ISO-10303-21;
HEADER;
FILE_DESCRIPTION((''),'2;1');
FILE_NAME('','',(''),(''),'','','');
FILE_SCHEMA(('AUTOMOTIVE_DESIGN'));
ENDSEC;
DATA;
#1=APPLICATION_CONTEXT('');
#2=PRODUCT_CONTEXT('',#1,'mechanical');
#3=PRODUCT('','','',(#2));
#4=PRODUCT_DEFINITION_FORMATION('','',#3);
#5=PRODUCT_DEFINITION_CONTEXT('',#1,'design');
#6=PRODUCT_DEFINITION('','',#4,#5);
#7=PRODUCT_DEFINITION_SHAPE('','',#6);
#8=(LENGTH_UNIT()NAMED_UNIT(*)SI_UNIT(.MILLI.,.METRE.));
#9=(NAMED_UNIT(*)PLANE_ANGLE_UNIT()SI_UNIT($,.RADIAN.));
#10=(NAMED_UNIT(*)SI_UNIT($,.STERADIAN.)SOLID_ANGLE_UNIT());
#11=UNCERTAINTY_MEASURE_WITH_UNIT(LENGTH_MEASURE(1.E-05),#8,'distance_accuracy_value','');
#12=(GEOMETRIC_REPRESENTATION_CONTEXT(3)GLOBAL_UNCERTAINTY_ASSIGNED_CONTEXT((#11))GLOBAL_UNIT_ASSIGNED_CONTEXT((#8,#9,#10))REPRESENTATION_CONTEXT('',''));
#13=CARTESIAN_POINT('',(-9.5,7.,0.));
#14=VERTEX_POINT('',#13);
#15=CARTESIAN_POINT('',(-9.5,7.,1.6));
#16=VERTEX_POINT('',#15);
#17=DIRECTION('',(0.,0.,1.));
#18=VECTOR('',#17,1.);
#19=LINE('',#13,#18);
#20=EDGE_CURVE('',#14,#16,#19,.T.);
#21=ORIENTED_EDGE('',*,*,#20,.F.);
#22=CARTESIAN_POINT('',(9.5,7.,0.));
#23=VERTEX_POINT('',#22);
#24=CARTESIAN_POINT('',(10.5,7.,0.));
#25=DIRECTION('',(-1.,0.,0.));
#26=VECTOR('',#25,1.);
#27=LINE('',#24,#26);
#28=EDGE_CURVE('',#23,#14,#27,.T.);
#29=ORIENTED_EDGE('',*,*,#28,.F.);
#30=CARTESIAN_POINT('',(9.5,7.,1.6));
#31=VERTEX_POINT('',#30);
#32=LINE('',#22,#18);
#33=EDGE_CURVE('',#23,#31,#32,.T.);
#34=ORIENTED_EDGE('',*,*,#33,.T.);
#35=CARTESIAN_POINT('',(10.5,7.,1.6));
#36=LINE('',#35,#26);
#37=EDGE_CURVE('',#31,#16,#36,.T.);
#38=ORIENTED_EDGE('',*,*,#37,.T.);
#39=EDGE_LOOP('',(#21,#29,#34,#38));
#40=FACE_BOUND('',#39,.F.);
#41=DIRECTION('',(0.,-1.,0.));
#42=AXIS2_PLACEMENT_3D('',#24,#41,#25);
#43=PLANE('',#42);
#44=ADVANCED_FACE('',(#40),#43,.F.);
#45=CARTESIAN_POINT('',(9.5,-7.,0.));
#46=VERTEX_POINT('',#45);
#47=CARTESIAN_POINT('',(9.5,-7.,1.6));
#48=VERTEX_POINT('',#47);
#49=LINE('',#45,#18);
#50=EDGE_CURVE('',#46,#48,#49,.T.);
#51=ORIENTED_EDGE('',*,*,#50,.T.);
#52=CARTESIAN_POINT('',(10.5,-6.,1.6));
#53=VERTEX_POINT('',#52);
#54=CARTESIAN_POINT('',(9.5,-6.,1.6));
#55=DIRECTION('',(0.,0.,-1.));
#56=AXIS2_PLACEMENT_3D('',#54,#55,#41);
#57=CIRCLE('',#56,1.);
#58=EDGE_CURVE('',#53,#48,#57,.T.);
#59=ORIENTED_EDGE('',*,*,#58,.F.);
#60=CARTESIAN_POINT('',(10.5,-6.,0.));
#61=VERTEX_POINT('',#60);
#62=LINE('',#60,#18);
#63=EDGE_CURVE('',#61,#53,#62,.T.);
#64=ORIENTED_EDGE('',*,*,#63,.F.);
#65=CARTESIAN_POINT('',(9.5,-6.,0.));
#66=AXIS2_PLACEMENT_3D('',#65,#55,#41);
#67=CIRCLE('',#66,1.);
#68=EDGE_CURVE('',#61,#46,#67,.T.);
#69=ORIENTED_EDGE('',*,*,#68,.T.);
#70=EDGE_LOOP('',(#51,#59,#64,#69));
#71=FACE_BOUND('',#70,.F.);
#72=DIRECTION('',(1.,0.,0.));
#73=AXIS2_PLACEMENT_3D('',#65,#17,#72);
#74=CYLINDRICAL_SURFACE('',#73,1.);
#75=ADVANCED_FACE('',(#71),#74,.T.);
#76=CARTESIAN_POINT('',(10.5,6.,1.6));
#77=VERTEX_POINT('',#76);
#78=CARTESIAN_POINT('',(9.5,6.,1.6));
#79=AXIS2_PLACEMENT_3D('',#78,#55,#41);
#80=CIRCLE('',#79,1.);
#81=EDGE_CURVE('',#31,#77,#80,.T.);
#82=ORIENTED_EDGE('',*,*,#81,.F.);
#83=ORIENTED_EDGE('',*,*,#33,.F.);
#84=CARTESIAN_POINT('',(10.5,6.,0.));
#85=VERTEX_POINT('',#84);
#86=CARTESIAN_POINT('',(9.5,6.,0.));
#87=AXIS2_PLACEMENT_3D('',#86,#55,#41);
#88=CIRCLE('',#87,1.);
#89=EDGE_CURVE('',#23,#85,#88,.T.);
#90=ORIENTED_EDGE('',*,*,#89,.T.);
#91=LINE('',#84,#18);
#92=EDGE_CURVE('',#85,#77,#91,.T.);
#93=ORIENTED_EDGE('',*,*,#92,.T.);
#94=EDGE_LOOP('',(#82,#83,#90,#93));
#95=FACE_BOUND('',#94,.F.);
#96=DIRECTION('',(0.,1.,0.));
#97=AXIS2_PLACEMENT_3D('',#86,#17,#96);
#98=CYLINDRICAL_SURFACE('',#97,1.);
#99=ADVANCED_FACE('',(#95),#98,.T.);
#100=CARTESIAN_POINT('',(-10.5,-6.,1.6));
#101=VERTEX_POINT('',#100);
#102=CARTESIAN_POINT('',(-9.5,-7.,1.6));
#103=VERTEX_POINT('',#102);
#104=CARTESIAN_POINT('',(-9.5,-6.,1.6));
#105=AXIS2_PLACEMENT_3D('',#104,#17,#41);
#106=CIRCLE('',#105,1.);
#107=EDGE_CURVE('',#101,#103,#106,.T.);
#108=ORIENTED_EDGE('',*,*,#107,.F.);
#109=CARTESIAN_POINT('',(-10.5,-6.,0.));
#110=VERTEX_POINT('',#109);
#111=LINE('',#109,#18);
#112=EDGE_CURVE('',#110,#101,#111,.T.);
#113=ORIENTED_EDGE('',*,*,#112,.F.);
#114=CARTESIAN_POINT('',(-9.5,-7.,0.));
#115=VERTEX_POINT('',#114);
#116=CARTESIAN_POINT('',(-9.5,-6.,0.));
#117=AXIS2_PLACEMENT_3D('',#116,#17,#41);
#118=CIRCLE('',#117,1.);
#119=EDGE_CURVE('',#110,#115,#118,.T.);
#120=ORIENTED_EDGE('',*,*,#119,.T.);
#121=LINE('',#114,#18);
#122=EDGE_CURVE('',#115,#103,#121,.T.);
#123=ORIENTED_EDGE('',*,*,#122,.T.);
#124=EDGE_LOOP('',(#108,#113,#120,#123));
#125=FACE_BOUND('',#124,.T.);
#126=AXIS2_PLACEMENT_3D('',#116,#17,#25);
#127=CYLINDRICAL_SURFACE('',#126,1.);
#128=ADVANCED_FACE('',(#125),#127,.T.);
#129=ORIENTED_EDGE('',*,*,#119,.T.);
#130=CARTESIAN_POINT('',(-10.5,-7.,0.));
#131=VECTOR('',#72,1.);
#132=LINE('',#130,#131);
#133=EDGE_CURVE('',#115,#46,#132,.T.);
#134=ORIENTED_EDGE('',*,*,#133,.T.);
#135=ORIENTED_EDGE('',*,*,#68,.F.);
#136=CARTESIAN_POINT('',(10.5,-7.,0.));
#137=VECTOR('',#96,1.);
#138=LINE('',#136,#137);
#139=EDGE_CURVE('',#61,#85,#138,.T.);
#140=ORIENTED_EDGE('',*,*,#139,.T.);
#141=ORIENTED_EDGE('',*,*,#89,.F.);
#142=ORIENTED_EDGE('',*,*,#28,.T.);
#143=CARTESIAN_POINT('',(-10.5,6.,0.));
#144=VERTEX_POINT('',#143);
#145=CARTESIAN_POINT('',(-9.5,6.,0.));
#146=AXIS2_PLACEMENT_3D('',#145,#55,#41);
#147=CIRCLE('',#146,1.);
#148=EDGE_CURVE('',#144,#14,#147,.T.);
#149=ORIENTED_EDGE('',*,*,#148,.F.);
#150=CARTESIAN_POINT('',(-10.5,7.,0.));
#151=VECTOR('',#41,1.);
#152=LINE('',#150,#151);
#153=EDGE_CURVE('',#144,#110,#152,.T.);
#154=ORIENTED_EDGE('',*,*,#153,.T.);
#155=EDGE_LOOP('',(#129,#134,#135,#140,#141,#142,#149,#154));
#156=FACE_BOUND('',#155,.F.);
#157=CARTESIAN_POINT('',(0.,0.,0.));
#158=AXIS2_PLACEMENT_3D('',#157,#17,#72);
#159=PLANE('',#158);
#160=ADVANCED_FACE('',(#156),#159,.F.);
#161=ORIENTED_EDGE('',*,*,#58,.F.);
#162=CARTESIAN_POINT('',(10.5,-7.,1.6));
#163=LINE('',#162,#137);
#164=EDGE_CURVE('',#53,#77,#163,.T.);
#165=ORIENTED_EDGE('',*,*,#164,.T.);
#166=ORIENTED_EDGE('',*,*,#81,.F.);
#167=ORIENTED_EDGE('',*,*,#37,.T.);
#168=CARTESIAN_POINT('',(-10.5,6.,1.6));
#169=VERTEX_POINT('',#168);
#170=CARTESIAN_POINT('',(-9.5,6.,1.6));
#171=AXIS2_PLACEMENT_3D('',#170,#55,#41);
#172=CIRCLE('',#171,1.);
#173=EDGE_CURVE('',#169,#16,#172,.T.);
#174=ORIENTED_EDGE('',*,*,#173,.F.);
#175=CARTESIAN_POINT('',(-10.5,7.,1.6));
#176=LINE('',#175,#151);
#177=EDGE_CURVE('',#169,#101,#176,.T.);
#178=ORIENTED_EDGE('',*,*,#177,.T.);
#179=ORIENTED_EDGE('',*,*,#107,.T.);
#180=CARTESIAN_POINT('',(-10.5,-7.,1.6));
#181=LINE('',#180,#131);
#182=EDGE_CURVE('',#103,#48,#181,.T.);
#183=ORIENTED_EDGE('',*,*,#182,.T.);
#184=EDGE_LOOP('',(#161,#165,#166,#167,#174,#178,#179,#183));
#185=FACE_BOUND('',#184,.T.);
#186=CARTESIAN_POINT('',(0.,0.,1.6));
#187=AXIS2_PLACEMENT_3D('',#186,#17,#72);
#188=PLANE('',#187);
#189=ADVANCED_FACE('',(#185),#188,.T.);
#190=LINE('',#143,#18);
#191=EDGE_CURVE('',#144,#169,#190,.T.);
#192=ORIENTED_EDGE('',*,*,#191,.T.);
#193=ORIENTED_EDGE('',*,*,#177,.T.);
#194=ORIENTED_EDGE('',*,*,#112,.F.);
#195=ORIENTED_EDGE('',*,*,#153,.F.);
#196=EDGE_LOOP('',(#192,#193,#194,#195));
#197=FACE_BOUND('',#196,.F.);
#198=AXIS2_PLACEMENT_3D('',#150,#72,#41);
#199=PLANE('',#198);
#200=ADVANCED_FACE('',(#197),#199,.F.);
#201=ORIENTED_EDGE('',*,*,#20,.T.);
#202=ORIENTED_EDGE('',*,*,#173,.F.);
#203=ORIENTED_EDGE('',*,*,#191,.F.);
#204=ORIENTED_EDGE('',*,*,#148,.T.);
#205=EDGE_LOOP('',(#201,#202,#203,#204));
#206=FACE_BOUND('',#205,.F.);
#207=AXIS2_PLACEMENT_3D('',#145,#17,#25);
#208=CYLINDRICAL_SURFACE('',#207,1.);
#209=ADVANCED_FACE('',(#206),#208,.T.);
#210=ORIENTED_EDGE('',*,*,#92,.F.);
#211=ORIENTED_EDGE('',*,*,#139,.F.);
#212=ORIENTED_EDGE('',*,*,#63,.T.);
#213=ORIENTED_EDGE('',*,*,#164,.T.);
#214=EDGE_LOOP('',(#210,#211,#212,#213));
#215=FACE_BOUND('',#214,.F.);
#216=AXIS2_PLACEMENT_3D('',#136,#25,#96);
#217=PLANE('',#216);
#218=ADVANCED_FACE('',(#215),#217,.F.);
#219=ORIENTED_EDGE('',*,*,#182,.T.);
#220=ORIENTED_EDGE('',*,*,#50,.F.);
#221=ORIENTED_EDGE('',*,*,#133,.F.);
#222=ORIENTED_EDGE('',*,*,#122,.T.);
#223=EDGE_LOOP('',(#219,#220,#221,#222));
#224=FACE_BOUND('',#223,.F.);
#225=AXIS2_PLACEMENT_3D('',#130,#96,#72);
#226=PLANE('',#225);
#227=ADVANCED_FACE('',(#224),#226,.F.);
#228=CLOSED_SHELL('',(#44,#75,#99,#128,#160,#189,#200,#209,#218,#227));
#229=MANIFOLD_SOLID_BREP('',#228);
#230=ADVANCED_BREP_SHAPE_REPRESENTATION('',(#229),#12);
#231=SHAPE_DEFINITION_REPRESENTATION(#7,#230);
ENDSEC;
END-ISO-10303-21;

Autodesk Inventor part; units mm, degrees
ref_plane "YZ Plane" through (0, 0, 0) normal (1, 0, 0) x (0, 1, 0)
ref_plane "XZ Plane" through (0, 0, 0) normal (0, 1, 0) x (-1, 0, 0)
ref_plane "XY Plane" through (0, 0, 0) normal (0, 0, 1) x (1, 0, 0)
sketch "Sketch1" plane through (0, 0, 0) normal (0, 0, 1) x (1, 0, 0)
  line L0 (-10.5, -7) -> (10.5, -7)
  line L1 (10.5, -7) -> (10.5, 7)
  line L2 (10.5, 7) -> (-10.5, 7)
  line L3 (-10.5, 7) -> (-10.5, -7)
  line L4 (-10.5, -7) -> (10.5, 7) construction
  line L5 (10.5, -7) -> (-10.5, 7) construction
  point P0 (0, 0)
  dimension "d0" = 21
  dimension "d1" = 14
extrude "Extrusion1" add sketch "Sketch1" along normal blind 1.6
fillet "Fillet1" radius 1 4 edges at (10.5, 7, 0.8) (10.5, -7, 0.8) (-10.5, -7, 0.8) (-10.5, 7, 0.8)
sketch "HDMI_ADAPTER_PCB_OUTLINE" plane through (0, 0, 1.6) normal (0, 0, 1) x (1, 0, 0)
  line L0 (6.5, 2.68) -> (6.5, -0.32) projected
  line L1 (6.2, -0.32) -> (6.2, 2.68) projected
  line L2 (6.2, 2.68) -> (6.5, 2.68) projected
  line L3 (6.5, -0.32) -> (6.2, -0.32) projected
  line L4 (-6.5, -0.32) -> (-6.5, 2.68) projected
  line L5 (-6.2, 2.68) -> (-6.2, -0.32) projected
  line L6 (-6.5, 2.68) -> (-6.2, 2.68) projected
  line L7 (-6.2, -0.32) -> (-6.5, -0.32) projected
  circle A0 centre (-6.35, 1.18) radius 1.5
  circle A1 centre (6.35, 1.18) radius 1.5
  arc A2 (-9.5, 7) -> (-10.5, 6) centre (-9.5, 6) ccw projected
  line L8 (-10.5, 6) -> (-10.5, -6) projected
  arc A3 (-10.5, -6) -> (-9.5, -7) centre (-9.5, -6) ccw projected
  line L9 (-9.5, -7) -> (9.5, -7) projected
  arc A4 (9.5, -7) -> (10.5, -6) centre (9.5, -6) ccw projected
  line L10 (10.5, -6) -> (10.5, 6) projected
  arc A5 (10.5, 6) -> (9.5, 7) centre (9.5, 6) ccw projected
  line L11 (9.5, 7) -> (-9.5, 7) projected
  point P0 (0, 0)
  dimension "d5" = 0.3
  dimension "d6" = 0.15
  dimension "d7" = 0.15
equation "\"d6\" = 0.5 * d5"
equation "\"d7\" = d6"
properties part number "HDMI_ADAPTER_PCB"
